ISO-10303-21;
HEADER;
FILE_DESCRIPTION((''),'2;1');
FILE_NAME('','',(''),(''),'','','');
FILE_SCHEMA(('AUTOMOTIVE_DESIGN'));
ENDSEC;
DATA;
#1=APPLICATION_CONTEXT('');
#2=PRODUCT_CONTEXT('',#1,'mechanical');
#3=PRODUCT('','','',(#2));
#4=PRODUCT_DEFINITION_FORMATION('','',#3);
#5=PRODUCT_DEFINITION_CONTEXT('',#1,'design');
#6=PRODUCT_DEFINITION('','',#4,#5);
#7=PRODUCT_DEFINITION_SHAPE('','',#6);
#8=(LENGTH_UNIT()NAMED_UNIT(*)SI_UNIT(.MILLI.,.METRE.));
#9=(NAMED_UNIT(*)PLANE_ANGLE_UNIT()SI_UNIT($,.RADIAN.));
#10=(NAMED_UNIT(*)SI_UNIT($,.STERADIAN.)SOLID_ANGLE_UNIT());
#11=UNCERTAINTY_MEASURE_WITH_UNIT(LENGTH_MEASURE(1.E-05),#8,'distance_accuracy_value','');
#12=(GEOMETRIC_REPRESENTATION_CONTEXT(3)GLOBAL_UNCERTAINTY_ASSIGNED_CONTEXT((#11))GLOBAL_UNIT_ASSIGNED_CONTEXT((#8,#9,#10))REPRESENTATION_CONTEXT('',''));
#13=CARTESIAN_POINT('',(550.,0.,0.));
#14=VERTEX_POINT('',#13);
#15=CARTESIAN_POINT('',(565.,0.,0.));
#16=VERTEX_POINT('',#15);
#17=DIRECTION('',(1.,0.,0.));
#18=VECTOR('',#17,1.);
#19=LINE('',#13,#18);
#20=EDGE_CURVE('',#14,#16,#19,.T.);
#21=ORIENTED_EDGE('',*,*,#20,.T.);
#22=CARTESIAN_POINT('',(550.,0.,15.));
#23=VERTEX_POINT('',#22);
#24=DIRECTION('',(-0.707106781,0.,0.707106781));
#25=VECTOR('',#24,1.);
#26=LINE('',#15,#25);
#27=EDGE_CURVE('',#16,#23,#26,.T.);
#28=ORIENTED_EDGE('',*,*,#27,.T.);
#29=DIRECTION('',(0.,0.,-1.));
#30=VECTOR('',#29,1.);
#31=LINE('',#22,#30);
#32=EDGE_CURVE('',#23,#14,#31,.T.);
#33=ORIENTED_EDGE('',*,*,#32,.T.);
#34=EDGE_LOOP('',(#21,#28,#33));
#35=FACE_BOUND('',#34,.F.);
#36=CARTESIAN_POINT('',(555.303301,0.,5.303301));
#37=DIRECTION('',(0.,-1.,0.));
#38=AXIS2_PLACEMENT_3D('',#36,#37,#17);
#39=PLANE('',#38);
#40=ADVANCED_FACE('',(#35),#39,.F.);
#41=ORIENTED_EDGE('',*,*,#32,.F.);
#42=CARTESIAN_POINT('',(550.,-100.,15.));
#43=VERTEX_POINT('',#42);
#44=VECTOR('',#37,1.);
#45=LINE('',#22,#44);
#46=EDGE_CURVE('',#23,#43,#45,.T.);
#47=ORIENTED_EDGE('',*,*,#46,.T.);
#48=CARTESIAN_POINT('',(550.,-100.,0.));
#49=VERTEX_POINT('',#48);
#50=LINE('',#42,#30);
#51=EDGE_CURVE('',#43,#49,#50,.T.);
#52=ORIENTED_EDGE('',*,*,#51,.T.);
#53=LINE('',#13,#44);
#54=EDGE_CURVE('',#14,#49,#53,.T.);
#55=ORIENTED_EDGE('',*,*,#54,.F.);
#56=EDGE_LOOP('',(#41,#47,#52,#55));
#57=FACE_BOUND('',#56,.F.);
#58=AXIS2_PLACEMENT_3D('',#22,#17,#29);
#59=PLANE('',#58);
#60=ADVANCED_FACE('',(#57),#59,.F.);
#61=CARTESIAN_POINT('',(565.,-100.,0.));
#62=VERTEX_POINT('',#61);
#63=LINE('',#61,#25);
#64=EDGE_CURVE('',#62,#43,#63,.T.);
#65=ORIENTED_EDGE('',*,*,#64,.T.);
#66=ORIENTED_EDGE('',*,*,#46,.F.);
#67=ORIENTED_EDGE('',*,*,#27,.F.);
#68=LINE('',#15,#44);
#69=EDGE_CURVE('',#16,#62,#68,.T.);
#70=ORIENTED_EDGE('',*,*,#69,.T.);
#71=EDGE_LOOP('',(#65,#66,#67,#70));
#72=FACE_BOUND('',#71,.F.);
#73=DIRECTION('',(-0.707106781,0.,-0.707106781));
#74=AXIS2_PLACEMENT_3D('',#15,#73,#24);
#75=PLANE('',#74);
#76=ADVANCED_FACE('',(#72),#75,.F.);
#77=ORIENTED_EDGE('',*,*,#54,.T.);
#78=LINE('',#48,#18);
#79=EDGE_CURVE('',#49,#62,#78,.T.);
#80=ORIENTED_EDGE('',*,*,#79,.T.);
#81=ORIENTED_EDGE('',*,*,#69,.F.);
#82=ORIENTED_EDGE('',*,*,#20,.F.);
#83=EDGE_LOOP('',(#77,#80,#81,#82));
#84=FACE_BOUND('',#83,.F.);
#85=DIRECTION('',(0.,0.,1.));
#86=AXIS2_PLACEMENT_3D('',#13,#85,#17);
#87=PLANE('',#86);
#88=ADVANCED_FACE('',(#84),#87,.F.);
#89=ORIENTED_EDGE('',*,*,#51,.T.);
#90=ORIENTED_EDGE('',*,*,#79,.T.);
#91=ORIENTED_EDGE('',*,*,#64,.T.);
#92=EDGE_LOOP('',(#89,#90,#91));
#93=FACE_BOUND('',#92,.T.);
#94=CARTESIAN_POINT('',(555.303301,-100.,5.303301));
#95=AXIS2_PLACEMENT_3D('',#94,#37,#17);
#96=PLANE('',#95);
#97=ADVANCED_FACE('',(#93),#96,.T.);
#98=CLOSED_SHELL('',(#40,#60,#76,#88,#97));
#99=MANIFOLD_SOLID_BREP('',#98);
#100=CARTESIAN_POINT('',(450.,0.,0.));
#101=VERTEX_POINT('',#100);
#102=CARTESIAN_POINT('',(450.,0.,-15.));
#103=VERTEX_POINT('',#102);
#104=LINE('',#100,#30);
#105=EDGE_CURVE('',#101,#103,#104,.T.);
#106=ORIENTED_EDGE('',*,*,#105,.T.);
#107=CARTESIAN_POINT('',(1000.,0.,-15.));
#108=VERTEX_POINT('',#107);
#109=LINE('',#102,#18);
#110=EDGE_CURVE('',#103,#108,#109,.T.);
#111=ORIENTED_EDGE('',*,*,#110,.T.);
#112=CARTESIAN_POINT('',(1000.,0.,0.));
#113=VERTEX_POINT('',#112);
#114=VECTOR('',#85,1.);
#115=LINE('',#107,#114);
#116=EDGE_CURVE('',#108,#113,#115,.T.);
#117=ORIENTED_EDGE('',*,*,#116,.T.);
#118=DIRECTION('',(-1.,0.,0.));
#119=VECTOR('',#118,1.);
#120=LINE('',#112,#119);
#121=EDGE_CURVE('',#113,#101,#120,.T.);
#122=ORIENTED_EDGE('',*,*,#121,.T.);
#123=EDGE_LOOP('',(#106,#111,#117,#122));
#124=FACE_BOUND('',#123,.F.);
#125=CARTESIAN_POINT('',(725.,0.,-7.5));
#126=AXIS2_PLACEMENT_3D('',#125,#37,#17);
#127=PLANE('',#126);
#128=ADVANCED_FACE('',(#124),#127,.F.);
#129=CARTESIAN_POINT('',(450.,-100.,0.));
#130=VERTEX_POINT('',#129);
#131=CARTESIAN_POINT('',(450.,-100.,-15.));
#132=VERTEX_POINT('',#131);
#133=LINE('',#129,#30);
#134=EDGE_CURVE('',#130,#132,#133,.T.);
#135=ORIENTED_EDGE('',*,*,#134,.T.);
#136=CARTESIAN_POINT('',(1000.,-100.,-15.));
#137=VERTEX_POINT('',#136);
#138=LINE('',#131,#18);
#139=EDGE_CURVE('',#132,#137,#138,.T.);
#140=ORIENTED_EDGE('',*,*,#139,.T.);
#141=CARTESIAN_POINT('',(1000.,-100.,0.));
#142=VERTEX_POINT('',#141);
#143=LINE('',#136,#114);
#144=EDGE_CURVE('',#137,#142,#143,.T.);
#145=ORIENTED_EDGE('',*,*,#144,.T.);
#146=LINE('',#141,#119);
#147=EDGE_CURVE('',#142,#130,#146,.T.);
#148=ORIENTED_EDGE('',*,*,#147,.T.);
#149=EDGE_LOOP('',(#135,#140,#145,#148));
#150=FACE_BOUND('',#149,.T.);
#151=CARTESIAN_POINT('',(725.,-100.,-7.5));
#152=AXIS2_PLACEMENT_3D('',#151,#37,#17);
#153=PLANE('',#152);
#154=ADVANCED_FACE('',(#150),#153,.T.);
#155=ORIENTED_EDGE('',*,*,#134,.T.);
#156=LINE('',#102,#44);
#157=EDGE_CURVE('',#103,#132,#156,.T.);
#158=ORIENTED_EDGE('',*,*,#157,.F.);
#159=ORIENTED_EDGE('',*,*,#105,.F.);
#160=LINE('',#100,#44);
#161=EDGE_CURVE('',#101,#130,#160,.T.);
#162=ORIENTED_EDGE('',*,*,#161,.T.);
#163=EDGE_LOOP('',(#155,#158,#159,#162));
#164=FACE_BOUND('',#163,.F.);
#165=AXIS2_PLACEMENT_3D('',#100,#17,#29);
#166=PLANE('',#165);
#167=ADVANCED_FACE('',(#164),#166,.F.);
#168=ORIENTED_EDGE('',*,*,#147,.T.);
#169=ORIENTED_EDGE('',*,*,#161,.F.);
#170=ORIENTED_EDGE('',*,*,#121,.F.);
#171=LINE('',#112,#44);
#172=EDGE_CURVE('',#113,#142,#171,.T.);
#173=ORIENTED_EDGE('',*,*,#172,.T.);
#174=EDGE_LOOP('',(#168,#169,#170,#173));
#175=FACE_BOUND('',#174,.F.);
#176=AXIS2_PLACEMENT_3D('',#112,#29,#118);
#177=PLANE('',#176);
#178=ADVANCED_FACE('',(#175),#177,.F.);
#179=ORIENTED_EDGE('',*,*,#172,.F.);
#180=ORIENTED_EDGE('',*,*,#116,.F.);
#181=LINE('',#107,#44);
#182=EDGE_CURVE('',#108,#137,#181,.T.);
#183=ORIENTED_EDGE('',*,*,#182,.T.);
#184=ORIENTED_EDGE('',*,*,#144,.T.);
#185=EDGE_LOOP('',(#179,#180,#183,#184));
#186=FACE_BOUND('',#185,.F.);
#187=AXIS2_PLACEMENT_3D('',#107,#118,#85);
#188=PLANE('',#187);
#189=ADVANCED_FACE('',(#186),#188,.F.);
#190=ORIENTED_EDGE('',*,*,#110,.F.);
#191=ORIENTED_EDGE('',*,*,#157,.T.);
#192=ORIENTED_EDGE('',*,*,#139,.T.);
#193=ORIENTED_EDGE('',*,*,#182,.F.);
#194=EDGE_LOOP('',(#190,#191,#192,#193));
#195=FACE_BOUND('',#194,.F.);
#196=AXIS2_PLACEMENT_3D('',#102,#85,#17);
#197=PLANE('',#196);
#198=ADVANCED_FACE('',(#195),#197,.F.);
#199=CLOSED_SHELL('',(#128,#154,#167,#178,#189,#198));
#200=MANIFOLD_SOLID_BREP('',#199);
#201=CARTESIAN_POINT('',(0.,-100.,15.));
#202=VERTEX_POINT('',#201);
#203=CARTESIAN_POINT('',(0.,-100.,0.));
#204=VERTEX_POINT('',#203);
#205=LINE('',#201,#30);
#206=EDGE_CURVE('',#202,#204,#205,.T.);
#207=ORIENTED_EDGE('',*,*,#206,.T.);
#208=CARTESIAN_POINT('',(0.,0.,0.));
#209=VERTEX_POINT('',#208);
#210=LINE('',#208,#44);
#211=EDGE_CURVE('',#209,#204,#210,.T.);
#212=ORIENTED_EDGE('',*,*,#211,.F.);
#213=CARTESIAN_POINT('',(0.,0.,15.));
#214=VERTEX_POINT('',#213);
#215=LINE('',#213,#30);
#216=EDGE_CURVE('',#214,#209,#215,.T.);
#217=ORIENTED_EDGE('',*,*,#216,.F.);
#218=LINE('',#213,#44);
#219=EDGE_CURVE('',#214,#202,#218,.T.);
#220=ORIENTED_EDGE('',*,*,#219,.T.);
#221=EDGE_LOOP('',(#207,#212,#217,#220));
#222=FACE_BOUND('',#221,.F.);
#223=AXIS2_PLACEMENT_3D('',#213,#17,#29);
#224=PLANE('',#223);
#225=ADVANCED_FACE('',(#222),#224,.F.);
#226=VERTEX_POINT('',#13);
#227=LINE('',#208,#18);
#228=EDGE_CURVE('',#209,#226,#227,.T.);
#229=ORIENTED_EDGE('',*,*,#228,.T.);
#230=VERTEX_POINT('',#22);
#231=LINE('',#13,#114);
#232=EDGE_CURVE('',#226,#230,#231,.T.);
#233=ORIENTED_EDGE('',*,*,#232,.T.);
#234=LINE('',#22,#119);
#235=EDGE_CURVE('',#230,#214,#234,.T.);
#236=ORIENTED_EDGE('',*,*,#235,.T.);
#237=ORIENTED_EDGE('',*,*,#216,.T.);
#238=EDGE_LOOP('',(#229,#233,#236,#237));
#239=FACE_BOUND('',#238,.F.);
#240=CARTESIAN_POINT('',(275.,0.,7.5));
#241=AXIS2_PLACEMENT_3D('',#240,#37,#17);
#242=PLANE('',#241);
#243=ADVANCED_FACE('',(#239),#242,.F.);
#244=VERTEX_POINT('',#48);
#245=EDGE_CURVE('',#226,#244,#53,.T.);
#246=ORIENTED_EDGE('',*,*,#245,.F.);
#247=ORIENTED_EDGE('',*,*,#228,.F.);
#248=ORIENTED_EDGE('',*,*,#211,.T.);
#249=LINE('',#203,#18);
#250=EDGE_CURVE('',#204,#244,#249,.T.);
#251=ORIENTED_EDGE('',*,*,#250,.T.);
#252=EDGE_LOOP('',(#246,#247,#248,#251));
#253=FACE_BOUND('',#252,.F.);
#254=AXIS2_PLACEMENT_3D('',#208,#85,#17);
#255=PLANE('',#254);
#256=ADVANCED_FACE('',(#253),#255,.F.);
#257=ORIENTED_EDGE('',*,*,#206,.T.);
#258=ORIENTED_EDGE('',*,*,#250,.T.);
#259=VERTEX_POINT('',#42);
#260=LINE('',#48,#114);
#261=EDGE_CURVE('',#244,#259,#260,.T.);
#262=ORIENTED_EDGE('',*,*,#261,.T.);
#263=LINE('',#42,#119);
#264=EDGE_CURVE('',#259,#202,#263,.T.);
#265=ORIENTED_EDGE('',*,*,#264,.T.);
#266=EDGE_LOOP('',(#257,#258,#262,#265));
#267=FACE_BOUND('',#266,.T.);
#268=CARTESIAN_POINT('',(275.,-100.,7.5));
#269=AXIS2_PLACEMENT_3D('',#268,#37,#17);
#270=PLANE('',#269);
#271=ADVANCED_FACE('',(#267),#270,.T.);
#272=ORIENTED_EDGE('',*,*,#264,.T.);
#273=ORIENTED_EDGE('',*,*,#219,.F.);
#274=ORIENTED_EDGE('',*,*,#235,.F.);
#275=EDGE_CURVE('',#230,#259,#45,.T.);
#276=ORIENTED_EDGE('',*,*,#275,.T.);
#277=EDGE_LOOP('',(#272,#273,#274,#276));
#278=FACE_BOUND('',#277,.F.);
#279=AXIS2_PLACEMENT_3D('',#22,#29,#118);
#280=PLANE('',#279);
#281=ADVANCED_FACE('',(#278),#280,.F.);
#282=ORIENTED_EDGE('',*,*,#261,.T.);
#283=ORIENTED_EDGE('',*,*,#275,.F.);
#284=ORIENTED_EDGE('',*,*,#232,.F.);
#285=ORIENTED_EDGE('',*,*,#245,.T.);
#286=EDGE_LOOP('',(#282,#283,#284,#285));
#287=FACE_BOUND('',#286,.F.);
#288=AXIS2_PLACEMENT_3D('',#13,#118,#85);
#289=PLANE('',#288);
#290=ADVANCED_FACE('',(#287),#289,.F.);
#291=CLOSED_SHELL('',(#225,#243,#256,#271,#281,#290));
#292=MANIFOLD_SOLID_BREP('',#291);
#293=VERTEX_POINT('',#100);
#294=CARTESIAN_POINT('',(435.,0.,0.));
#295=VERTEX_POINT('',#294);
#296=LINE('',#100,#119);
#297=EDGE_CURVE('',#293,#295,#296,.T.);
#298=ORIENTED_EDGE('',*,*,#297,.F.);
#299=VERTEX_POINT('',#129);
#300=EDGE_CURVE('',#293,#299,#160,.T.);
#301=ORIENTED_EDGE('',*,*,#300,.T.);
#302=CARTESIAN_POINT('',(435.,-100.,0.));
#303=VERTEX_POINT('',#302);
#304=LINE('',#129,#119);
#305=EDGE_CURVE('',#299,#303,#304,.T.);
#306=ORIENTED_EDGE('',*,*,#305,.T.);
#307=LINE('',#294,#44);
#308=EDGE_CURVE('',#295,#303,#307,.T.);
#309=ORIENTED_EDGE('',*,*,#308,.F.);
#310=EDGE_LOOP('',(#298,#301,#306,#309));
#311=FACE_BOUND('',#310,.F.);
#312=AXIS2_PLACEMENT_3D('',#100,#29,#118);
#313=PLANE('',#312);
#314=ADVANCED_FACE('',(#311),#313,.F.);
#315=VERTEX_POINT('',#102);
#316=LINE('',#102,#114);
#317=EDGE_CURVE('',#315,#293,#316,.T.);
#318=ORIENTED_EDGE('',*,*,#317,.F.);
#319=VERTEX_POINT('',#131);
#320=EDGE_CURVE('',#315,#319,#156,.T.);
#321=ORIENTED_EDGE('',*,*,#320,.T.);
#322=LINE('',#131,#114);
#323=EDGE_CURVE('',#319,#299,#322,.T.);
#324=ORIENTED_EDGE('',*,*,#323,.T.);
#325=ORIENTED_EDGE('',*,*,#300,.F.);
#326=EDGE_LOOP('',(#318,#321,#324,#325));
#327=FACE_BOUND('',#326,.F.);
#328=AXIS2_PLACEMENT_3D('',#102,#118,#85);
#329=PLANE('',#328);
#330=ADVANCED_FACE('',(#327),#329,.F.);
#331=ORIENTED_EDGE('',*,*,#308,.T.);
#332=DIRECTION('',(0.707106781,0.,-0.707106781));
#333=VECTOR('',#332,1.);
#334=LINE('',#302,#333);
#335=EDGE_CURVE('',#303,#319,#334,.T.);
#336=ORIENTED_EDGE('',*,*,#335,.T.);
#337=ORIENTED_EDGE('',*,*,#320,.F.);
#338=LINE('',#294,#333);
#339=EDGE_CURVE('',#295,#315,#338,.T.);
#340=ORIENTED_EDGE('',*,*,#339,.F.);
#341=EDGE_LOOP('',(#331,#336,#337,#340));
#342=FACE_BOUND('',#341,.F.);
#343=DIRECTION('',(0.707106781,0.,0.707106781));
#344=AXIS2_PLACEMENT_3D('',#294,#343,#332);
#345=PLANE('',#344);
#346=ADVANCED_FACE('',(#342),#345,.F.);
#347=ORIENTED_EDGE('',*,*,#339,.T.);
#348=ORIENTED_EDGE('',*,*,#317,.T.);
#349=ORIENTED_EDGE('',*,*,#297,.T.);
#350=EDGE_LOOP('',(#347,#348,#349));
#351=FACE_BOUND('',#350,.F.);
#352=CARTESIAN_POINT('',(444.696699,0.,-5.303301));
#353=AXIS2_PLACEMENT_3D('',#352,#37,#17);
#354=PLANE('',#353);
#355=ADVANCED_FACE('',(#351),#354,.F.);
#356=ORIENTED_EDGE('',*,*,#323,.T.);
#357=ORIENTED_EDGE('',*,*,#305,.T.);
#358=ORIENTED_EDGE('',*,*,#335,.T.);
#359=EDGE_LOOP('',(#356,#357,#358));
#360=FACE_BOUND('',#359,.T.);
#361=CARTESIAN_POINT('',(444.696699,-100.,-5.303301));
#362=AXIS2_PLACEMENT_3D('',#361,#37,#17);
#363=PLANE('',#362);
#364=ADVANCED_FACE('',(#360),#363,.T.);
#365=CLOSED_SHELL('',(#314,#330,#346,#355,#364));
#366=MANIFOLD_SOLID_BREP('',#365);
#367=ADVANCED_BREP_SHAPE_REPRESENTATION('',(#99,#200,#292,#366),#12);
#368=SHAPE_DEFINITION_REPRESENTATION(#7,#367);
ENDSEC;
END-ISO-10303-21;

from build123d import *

# Parameters (mm, degrees)
F2_DEPTH = 100
F3_DEPTH = 100
F4_DEPTH = 100
F5_DEPTH = 100


with BuildPart() as f2:
    # F1 (on Front) → F2 (new body)
    with BuildSketch(Plane.XZ):
        Polygon((0, 15), (0, 0), (435, 0), (450, 0), (550, 0), (550, 15), align=None)
    extrude(amount=F2_DEPTH)


with BuildPart() as f3:
    # F1 (on Front) → F3 (new body)
    with BuildSketch(Plane.XZ):
        Polygon((550, 0), (450, 0), (450, -15), (1000, -15), (1000, 0), (565, 0), align=None)
    extrude(amount=F3_DEPTH)


with BuildPart() as f4:
    # F1 (on Front) → F4 (new body)
    with BuildSketch(Plane.XZ):
        Polygon((565, 0), (550, 15), (550, 0), align=None)
    extrude(amount=F4_DEPTH)


with BuildPart() as f5:
    # F1 (on Front) → F5 (new body)
    with BuildSketch(Plane.XZ):
        Polygon((450, 0), (435, 0), (450, -15), align=None)
    extrude(amount=F5_DEPTH)


solid = Compound([f2.part, f3.part, f4.part, f5.part])
